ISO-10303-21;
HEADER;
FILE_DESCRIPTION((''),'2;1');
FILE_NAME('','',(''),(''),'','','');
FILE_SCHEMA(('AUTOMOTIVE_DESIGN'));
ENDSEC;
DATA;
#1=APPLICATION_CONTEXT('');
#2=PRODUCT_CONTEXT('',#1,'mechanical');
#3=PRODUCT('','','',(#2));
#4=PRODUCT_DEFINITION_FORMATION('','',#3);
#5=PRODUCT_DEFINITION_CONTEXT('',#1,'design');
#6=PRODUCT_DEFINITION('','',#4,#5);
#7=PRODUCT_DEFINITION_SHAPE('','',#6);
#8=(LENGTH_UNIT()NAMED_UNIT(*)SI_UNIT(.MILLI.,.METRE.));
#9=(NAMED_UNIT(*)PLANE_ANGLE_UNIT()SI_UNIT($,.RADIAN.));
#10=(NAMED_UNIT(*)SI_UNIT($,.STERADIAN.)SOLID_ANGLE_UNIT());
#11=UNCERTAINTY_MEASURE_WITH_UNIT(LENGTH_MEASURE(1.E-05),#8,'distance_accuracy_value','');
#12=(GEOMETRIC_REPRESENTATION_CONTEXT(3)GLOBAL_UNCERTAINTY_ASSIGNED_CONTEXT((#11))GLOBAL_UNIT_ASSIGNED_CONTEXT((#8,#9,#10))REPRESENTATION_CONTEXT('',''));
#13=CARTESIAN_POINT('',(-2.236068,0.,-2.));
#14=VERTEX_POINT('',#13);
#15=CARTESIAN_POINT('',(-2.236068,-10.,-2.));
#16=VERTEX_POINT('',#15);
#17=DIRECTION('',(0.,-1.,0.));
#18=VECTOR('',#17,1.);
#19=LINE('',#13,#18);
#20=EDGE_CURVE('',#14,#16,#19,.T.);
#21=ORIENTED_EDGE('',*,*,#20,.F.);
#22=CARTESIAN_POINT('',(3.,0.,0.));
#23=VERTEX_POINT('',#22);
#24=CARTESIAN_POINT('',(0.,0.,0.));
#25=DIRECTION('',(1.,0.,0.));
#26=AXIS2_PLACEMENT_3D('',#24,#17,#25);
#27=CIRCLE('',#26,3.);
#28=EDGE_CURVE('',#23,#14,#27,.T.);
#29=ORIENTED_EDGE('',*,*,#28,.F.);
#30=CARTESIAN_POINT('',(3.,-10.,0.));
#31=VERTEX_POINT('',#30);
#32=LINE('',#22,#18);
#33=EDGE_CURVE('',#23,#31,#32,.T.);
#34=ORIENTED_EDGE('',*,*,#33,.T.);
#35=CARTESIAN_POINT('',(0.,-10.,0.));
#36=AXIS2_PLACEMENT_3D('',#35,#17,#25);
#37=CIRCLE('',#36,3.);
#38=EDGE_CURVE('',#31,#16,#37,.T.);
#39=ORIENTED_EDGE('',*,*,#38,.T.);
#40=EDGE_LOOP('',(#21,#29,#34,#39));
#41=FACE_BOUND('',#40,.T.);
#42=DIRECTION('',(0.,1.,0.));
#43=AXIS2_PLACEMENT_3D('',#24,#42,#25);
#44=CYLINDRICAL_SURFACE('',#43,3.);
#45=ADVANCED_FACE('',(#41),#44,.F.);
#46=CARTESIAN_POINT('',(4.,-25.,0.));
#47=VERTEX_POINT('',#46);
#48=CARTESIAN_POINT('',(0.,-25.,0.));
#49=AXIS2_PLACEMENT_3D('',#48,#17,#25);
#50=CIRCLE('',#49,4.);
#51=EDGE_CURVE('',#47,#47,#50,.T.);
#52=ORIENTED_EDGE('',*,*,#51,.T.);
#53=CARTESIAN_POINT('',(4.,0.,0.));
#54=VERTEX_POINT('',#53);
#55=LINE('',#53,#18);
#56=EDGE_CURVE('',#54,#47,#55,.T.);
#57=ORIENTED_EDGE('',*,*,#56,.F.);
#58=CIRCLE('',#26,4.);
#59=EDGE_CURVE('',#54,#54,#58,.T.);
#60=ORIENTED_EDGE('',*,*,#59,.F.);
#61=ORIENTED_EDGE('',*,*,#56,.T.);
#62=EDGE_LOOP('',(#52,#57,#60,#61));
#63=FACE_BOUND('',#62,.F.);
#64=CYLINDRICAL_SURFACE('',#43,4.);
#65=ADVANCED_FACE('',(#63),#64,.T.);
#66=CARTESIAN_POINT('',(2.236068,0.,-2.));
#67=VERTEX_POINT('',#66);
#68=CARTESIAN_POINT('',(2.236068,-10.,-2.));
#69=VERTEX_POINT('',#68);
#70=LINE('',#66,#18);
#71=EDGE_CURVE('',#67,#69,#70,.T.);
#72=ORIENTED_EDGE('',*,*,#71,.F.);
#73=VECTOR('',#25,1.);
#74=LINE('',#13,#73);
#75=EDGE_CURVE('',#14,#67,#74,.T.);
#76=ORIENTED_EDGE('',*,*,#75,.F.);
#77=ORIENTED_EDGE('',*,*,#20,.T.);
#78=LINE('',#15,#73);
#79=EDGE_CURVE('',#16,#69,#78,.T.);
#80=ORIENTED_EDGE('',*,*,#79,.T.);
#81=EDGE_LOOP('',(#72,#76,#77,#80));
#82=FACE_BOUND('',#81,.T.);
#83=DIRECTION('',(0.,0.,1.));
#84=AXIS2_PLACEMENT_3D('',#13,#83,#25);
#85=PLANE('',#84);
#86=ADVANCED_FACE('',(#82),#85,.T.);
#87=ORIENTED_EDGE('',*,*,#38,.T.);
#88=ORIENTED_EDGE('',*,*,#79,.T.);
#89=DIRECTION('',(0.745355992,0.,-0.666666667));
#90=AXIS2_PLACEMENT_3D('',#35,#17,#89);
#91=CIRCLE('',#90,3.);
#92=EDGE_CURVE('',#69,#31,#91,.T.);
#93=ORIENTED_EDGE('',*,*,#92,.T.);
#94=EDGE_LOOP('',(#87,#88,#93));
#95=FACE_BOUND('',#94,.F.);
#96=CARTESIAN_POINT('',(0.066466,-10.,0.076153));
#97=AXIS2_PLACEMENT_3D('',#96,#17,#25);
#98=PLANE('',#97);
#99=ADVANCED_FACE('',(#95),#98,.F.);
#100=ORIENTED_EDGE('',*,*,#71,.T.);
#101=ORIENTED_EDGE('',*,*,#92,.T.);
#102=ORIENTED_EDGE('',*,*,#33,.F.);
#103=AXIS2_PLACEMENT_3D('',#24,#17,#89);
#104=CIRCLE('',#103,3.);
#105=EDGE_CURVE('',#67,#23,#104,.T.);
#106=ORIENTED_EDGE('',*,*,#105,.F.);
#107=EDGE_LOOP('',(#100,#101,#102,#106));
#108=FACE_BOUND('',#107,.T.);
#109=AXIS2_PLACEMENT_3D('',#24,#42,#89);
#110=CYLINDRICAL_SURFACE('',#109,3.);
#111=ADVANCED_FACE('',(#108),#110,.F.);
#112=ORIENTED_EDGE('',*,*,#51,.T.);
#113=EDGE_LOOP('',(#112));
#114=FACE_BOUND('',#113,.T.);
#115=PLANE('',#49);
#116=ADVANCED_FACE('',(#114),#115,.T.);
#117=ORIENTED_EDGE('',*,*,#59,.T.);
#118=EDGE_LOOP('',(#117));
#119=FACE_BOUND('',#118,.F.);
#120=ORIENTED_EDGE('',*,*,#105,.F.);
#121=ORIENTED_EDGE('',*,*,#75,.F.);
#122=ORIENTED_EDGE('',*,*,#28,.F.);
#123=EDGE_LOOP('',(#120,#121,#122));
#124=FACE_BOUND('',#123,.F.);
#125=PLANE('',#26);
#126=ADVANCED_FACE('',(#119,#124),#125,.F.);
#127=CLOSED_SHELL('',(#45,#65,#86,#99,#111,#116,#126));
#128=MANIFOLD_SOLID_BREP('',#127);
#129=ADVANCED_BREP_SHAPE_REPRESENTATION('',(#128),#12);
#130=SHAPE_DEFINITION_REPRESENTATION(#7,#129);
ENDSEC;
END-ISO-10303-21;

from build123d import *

# Parameters (mm, degrees)
F0_R     = 4
F1_DEPTH = 25
F2_DEPTH = 10


with BuildPart() as f1:
    # F0 (on Front) → F1 (new body)
    with BuildSketch(Plane.XZ):
        Circle(F0_R)
        with BuildLine():
            ThreePointArc((-2.2360679775, -2), (-1.0704662693, 2.8025170769), (3, 0))
            ThreePointArc((3, 0), (2.8025170769, -1.0704662693), (2.2360679775, -2))
            ThreePointArc((2.2360679775, -2), (1.2247448714, -2.7386127875), (0, -3))
            ThreePointArc((0, -3), (-1.2247448714, -2.7386127875), (-2.2360679775, -2))
        make_face(mode=Mode.SUBTRACT)
        with BuildLine():
            ThreePointArc((2.2360679775, -2), (2.8025170769, -1.0704662693), (3, 0))
            ThreePointArc((3, 0), (-1.0704662693, 2.8025170769), (-2.2360679775, -2))
            Line((-2.2360679775, -2), (0, -2))
            Line((0, -2), (2.2360679775, -2))
        make_face()
        with BuildLine():
            ThreePointArc((0, -3), (1.2247448714, -2.7386127875), (2.2360679775, -2))
            Line((2.2360679775, -2), (0, -2))
            Line((0, -2), (0, -3))
        make_face()
        with BuildLine():
            Line((0, -2), (-2.2360679775, -2))
            ThreePointArc((-2.2360679775, -2), (-1.2247448714, -2.7386127875), (0, -3))
            Line((0, -3), (0, -2))
        make_face()
    extrude(amount=F1_DEPTH)

    # F0 (on Front) → F2 (cut)
    with BuildSketch(Plane.XZ):
        with BuildLine():
            ThreePointArc((2.2360679775, -2), (2.8025170769, -1.0704662693), (3, 0))
            ThreePointArc((3, 0), (-1.0704662693, 2.8025170769), (-2.2360679775, -2))
            Line((-2.2360679775, -2), (0, -2))
            Line((0, -2), (2.2360679775, -2))
        make_face()
    extrude(amount=F2_DEPTH, mode=Mode.SUBTRACT)


solid = f1.part
